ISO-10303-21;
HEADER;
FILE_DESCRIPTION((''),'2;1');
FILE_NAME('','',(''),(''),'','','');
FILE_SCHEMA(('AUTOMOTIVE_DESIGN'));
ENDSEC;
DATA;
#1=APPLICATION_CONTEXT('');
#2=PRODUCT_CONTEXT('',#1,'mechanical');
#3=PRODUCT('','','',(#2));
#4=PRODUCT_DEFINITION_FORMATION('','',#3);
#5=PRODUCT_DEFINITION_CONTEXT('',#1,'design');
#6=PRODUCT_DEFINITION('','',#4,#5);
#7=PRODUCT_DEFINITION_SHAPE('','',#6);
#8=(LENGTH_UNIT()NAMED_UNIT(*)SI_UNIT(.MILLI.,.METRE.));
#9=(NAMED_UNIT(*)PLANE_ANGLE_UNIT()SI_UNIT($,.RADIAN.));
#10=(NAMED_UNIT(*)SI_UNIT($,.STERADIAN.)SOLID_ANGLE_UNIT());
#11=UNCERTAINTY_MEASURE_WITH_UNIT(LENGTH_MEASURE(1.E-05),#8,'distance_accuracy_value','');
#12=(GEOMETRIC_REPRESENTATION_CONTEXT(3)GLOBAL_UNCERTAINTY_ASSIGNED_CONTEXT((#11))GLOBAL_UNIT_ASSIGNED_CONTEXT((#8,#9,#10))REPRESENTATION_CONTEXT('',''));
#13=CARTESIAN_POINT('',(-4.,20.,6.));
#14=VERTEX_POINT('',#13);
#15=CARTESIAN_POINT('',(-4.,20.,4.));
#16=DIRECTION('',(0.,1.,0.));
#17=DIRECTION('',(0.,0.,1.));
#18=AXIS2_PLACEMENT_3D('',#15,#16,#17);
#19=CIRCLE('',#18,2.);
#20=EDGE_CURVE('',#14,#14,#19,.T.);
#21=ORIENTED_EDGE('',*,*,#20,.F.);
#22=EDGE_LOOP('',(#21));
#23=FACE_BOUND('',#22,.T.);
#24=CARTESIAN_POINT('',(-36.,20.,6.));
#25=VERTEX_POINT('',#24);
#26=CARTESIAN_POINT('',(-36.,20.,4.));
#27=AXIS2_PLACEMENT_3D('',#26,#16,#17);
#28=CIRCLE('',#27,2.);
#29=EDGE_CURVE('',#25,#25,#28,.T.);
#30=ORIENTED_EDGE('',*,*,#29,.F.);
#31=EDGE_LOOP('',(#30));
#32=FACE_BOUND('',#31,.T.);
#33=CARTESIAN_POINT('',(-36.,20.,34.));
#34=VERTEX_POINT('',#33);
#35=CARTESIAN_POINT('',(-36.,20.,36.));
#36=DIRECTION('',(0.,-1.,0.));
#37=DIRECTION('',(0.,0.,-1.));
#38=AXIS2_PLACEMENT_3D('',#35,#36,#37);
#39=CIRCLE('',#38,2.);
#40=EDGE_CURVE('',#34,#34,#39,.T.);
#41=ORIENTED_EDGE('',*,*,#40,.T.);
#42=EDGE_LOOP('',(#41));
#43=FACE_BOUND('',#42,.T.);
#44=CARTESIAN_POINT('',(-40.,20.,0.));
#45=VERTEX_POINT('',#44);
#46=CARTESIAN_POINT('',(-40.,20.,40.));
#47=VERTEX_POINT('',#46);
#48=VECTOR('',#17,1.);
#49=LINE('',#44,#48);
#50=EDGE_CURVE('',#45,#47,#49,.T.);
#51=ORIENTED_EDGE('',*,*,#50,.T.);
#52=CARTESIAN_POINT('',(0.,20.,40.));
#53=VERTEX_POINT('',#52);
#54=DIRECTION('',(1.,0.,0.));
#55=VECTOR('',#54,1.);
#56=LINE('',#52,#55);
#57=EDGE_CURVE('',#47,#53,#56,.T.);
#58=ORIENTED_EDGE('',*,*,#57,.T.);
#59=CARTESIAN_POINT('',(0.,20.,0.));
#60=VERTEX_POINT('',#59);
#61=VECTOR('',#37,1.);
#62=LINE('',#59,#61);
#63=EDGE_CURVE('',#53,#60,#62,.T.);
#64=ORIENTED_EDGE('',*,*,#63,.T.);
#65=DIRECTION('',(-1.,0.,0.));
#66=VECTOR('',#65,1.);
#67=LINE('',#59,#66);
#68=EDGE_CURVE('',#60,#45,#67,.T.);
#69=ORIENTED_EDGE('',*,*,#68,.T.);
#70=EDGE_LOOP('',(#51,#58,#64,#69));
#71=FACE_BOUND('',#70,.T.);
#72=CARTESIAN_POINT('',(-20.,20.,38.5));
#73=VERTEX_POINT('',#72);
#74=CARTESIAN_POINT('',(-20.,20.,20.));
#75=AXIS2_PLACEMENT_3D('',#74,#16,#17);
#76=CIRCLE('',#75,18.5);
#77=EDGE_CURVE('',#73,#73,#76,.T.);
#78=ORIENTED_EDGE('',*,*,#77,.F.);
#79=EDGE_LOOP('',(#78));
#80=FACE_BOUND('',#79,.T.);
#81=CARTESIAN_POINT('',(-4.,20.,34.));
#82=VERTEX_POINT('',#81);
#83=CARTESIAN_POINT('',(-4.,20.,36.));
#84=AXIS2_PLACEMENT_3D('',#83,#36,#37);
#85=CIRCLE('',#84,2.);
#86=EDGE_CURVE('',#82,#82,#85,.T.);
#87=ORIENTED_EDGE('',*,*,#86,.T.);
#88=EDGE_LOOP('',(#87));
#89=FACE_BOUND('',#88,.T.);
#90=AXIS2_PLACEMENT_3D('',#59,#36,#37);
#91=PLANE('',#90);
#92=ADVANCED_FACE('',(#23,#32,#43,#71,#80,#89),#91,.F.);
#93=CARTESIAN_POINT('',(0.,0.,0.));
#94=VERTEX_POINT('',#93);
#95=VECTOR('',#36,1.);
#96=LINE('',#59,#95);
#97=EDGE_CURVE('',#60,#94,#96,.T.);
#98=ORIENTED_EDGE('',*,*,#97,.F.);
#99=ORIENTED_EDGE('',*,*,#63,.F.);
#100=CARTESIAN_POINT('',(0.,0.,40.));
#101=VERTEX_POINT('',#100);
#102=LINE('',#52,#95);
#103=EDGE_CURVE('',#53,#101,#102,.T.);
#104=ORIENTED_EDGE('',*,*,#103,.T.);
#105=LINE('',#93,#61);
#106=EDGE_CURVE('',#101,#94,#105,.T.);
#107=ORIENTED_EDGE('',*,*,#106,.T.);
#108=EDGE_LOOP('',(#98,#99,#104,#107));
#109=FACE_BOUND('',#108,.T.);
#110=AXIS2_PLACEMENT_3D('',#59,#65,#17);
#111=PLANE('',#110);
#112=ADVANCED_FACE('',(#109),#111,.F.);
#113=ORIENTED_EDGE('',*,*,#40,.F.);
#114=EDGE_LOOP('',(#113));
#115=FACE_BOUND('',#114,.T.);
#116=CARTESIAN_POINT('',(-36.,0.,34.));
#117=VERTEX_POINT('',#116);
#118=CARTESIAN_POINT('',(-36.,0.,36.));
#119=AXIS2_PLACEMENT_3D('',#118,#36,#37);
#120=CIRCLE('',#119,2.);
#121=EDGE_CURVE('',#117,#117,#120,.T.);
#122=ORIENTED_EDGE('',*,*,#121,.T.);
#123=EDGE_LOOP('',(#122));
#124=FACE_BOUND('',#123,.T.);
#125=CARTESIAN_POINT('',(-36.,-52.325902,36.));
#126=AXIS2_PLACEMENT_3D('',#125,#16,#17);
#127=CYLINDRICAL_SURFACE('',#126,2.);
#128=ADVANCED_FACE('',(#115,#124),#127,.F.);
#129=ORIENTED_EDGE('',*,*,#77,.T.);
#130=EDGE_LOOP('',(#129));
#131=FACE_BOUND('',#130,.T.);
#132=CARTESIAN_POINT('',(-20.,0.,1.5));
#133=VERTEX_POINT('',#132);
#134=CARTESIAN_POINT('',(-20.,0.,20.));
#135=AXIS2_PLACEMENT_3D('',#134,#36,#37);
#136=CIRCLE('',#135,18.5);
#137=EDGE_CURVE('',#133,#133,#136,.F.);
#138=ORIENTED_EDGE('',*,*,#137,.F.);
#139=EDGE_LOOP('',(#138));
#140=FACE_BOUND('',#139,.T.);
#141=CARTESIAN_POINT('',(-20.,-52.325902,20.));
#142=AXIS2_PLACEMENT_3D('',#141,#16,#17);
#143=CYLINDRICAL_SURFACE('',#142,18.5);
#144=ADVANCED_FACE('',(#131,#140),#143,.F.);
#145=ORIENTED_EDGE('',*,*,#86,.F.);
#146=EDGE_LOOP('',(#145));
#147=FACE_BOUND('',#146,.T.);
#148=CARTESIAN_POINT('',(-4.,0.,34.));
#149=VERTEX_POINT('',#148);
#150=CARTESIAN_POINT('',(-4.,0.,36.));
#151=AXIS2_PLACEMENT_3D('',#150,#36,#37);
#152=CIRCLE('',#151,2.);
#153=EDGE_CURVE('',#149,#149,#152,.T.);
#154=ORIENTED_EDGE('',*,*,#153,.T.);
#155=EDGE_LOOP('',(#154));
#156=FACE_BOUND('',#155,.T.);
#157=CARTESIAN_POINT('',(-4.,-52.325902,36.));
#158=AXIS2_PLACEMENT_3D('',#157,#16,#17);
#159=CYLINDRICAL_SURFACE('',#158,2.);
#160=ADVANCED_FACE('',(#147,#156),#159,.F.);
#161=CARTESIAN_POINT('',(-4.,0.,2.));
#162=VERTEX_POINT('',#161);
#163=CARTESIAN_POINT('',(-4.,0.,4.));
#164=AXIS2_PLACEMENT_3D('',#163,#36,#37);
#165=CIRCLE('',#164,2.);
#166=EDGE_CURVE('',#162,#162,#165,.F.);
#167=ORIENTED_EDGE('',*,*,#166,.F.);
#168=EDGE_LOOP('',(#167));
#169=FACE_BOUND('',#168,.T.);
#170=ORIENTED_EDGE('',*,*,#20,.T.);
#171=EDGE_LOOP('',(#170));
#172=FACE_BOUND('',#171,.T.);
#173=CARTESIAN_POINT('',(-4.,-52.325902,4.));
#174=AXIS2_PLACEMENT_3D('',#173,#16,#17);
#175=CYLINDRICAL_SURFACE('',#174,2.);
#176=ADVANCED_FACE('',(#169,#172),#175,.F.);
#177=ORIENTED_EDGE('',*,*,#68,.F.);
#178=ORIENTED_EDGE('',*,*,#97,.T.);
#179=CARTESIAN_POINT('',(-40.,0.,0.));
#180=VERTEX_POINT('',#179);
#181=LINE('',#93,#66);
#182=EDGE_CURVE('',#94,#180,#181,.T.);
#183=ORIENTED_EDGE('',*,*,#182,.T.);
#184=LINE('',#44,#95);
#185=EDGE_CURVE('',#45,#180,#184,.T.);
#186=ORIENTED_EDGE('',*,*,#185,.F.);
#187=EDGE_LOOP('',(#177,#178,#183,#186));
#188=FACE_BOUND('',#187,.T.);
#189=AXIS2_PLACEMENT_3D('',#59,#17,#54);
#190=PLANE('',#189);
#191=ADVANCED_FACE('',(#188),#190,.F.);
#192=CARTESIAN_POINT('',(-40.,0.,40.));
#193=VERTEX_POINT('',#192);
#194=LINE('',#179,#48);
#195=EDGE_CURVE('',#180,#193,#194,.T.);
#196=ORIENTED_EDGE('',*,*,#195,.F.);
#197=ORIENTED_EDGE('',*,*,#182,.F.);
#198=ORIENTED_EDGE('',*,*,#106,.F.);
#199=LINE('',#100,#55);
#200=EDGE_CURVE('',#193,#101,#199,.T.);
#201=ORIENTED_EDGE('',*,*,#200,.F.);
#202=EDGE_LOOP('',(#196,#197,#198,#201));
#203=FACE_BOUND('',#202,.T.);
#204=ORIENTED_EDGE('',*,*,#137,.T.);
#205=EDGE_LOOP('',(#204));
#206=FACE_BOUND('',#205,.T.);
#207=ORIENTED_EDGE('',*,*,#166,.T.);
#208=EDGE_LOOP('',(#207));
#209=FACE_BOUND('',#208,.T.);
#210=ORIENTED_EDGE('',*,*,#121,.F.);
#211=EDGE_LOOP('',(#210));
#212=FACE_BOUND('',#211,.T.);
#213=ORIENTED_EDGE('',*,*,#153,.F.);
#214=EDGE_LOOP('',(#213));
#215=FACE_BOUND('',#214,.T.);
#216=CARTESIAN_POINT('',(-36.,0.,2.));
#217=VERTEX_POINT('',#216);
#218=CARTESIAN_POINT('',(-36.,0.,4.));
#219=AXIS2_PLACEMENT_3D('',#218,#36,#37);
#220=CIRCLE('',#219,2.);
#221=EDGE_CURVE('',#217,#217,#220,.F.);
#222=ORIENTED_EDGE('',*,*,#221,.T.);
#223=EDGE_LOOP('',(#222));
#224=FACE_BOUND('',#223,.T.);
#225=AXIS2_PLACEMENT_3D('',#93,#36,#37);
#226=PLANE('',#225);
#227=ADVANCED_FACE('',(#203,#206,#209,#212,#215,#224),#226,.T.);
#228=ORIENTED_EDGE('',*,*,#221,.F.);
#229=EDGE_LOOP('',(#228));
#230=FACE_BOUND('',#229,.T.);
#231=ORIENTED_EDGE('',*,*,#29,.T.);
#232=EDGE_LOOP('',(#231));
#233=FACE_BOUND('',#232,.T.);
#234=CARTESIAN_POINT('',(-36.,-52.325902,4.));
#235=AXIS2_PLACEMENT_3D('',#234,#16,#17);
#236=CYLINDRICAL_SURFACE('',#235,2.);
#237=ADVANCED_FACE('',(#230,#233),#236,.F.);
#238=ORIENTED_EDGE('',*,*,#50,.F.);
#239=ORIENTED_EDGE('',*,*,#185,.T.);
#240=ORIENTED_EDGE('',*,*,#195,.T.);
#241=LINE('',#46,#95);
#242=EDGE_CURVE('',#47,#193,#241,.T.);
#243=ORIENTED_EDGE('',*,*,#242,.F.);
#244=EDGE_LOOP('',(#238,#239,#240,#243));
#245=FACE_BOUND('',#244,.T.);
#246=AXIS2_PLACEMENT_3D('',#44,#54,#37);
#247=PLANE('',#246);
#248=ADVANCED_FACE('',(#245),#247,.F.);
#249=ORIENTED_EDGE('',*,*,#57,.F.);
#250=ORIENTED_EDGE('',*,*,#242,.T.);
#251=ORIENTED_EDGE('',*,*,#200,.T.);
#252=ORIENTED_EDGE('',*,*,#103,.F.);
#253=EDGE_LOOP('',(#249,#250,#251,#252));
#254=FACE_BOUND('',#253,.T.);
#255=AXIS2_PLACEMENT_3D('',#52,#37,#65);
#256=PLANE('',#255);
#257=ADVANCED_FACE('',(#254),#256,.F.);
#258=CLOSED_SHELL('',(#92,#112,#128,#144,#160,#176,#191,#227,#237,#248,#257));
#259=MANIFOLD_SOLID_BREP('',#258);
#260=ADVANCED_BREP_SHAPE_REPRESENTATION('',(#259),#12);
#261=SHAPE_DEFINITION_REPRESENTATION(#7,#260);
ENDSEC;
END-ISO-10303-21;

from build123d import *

# Parameters (mm, degrees)
SKETCH1_W           = 40
SKETCH1_H           = 40
BOSS_EXTRUDE1_DEPTH = 20
SKETCH2_R           = 2
SKETCH2_R_2         = 18.5
CUT_EXTRUDE2_DEPTH  = 20


with BuildPart() as part:
    # Sketch1 → Boss-Extrude1 (new body)
    with BuildSketch(Plane(origin=(0, 0, 0), x_dir=(1, 0, 0), z_dir=(0, 1, 0))):
        with Locations((-20, -20)):
            Rectangle(SKETCH1_W, SKETCH1_H)
    extrude(amount=BOSS_EXTRUDE1_DEPTH)

    # Sketch2 → Cut-Extrude2 (cut)
    with BuildSketch(Plane(origin=(0, 20, 0), x_dir=(1, 0, 0), z_dir=(0, 1, 0))):
        with Locations((-36, -4)):
            Circle(SKETCH2_R)
        with Locations((-4, -4)):
            Circle(SKETCH2_R)
        with Locations((-4, -36)):
            Circle(SKETCH2_R)
        with Locations((-36, -36)):
            Circle(SKETCH2_R)
        with Locations((-20, -20)):
            Circle(SKETCH2_R_2)
    extrude(amount=-CUT_EXTRUDE2_DEPTH, mode=Mode.SUBTRACT)


solid = part.part
